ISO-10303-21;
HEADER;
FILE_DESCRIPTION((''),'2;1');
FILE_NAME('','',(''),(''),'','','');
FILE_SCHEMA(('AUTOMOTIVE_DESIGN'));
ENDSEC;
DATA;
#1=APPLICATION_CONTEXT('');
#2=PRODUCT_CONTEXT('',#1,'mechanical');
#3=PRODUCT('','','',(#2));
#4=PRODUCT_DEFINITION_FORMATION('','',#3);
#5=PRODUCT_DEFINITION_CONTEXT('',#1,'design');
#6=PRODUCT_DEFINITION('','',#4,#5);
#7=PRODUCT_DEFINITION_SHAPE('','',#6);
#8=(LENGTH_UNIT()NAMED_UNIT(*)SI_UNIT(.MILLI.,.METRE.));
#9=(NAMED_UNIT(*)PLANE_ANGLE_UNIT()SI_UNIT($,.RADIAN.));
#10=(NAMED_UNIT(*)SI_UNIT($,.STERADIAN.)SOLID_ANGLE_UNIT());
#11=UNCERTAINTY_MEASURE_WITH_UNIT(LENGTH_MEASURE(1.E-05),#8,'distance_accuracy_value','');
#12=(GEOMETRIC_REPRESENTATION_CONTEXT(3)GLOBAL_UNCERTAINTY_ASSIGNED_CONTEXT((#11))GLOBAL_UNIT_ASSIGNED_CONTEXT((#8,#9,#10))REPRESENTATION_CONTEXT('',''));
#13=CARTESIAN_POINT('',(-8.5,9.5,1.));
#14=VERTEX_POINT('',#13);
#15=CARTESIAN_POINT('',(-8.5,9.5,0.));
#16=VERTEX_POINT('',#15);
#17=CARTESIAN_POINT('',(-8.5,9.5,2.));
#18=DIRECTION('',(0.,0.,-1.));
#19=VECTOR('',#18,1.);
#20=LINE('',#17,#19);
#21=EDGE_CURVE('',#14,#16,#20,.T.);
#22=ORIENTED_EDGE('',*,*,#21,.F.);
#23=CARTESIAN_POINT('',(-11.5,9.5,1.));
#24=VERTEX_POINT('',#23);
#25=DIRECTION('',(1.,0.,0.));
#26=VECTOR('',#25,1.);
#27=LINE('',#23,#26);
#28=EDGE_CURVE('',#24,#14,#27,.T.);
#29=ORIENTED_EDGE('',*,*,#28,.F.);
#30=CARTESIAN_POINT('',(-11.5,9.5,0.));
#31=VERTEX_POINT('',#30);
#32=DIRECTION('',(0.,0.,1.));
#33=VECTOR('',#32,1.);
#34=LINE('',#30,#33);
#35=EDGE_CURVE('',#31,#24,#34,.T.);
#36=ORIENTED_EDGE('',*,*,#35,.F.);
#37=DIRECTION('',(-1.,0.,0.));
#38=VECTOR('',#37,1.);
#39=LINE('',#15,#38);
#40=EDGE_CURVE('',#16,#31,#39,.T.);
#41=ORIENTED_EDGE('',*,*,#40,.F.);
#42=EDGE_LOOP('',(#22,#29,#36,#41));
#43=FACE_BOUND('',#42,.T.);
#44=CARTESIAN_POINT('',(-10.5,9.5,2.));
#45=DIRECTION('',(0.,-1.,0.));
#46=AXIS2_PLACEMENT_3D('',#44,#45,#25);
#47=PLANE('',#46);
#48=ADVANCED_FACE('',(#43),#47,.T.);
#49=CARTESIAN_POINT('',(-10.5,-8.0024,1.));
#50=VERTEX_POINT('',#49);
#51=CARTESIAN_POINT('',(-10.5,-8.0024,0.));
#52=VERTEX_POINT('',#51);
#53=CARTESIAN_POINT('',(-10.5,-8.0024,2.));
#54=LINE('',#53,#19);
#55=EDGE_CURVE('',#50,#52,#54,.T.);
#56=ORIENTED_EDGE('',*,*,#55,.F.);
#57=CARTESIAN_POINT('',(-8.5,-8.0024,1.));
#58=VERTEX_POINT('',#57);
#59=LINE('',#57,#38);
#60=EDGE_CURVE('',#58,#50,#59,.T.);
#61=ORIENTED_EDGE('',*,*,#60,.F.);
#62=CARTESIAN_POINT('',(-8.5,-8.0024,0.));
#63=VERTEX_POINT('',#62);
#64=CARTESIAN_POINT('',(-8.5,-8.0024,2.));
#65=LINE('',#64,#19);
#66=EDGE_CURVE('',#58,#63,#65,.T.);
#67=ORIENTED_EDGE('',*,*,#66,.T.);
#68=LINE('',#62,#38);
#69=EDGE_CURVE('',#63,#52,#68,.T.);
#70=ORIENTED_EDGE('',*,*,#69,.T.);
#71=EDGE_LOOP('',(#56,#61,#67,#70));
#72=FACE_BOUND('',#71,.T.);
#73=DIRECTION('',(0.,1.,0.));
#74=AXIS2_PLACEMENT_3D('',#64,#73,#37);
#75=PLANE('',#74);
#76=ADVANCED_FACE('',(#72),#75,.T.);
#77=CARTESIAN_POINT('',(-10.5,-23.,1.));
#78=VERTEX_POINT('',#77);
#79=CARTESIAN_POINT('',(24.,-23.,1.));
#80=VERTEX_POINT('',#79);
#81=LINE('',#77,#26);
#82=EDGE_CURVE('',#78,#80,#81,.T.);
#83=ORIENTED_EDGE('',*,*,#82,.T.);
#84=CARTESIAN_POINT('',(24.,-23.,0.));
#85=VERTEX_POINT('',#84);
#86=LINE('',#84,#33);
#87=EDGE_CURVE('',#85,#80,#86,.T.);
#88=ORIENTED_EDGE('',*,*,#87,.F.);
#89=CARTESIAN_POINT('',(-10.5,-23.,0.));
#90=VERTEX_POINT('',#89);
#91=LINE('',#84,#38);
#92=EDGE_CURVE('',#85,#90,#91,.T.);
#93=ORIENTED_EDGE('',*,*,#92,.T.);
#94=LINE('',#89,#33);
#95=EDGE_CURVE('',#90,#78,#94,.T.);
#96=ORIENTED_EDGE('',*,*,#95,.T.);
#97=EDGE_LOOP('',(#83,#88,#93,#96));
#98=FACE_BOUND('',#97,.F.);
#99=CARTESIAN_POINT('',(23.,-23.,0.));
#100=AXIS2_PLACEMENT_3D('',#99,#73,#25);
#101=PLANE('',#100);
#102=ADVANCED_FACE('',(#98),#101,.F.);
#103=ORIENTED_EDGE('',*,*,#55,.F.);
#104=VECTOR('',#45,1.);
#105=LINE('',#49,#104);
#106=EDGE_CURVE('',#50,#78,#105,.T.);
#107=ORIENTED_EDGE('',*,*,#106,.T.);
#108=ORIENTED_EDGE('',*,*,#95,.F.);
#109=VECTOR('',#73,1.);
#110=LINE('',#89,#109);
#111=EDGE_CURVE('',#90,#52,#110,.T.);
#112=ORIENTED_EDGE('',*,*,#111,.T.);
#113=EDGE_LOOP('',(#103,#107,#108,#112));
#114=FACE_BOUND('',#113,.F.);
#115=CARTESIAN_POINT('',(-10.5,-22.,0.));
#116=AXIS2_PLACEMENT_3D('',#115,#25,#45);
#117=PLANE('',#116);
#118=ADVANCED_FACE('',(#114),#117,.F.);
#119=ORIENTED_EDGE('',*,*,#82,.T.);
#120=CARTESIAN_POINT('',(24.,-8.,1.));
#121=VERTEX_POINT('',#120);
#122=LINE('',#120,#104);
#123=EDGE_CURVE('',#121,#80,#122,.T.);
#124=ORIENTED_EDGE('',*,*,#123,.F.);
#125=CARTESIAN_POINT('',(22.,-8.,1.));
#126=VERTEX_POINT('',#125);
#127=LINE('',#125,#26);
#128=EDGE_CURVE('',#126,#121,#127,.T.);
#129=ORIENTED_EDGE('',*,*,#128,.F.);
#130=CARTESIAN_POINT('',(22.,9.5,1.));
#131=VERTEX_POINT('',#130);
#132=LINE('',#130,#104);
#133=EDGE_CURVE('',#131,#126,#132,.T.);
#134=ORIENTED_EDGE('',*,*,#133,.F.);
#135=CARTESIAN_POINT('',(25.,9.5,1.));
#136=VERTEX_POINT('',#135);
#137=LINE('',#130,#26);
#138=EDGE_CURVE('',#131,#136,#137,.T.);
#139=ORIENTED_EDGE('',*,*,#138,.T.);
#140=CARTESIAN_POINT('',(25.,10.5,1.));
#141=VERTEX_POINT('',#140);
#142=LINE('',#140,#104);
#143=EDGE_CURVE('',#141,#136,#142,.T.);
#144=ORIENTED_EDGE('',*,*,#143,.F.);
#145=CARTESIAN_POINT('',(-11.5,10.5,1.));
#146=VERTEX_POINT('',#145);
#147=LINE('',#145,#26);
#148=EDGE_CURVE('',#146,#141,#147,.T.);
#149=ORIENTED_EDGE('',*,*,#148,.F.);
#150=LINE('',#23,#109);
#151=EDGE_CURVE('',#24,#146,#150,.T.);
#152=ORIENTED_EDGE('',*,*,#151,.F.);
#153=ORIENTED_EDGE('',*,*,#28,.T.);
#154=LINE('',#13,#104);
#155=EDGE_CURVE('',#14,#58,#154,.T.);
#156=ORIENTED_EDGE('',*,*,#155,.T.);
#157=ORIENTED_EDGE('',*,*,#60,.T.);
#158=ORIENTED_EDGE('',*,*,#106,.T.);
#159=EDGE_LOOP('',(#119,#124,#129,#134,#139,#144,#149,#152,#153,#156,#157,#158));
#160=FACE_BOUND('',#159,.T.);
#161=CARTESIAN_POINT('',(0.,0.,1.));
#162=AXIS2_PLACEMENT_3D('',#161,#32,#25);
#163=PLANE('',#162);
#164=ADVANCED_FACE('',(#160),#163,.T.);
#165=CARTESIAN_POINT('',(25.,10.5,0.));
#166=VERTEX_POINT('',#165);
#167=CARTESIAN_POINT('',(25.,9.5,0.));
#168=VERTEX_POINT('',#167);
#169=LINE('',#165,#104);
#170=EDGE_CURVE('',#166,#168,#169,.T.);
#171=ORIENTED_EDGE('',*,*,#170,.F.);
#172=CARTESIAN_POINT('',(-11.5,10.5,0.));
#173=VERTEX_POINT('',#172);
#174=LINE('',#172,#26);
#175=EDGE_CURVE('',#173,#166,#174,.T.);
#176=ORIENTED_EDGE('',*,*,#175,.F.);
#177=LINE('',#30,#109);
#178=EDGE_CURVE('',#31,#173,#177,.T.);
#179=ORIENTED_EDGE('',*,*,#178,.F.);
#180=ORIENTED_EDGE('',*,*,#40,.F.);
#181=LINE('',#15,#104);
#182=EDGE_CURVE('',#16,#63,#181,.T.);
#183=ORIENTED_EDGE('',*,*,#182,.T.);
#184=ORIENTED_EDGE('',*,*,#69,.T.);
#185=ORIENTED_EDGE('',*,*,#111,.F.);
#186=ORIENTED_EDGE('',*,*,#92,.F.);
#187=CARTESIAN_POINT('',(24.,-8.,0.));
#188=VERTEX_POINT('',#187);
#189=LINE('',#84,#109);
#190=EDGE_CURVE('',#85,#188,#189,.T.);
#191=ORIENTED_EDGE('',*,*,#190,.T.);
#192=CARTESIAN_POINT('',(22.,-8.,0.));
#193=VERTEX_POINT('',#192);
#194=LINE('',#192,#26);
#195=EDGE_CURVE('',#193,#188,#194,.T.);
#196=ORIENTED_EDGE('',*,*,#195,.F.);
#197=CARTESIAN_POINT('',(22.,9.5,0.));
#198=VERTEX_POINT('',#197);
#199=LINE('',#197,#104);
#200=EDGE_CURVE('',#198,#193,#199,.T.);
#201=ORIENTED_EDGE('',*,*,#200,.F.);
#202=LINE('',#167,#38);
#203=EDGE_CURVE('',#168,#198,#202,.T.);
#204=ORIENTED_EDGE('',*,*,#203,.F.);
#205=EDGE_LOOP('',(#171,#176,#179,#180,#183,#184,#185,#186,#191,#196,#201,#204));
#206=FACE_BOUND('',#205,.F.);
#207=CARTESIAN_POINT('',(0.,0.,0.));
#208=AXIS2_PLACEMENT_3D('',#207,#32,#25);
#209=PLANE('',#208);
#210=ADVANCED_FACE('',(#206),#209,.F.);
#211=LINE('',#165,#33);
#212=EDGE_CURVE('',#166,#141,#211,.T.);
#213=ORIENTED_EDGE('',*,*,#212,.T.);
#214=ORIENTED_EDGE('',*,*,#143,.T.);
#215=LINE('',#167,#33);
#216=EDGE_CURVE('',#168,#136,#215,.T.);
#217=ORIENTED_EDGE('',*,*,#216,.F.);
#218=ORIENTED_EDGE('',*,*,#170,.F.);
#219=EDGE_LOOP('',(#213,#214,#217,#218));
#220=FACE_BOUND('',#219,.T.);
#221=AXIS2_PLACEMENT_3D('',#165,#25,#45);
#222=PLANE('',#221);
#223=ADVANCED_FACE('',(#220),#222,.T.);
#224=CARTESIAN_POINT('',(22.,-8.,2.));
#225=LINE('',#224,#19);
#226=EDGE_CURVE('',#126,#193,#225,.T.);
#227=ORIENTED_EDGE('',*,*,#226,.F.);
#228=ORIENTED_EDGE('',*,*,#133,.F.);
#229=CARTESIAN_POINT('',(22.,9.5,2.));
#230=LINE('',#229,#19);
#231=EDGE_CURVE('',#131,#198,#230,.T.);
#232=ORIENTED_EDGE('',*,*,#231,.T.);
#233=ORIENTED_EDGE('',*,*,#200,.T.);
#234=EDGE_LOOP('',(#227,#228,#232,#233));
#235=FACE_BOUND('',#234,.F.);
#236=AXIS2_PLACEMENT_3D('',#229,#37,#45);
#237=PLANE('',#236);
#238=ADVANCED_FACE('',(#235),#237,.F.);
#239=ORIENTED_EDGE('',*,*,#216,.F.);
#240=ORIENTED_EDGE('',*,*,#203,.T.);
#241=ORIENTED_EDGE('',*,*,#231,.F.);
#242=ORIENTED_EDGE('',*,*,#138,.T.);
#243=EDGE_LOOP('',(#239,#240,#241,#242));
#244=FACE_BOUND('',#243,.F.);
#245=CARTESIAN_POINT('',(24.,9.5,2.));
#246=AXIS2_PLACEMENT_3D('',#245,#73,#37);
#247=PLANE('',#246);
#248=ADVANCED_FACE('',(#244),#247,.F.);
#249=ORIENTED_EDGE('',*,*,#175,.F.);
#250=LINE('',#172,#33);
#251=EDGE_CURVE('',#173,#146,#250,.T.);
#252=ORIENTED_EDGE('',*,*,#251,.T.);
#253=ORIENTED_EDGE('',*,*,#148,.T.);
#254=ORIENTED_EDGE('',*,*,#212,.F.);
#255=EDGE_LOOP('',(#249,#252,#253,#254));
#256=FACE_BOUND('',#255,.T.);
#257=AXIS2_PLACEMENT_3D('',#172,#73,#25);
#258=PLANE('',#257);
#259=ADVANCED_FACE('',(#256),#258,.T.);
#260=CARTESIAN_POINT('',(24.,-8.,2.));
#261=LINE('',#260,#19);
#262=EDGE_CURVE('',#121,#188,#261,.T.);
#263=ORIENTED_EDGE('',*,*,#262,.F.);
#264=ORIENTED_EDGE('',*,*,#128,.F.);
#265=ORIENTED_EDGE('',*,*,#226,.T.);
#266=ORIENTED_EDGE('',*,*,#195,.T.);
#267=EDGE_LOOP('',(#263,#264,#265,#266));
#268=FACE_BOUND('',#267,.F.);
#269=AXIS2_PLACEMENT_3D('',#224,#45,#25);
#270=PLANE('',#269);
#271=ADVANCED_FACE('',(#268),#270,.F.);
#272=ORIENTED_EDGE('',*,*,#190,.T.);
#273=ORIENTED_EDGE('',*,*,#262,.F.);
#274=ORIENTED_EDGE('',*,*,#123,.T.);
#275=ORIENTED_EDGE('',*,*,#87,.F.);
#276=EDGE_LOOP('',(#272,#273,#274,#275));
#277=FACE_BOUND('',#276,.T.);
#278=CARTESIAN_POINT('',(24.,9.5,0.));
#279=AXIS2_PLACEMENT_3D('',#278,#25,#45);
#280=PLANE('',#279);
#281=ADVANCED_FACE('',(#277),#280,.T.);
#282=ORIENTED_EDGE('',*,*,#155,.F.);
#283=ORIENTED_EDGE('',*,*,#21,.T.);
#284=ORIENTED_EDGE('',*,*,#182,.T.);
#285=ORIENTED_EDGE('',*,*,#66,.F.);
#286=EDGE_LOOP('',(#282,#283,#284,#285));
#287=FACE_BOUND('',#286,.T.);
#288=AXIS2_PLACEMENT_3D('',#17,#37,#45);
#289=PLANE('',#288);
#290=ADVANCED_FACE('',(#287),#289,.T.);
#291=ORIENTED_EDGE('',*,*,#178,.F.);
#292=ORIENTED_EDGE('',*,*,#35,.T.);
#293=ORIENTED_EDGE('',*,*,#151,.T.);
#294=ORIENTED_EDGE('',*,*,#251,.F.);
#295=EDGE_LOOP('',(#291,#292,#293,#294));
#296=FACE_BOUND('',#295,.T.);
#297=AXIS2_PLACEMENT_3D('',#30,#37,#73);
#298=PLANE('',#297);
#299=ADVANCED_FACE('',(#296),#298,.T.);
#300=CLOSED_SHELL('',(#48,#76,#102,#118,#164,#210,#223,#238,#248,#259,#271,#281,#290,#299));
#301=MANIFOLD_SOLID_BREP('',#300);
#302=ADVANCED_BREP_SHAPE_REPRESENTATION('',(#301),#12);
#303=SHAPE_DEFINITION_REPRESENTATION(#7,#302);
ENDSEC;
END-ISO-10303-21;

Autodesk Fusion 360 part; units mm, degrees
sketch "Sketch1" plane through (0, 0, 0) normal (0, 0, 1) x (1, 0, 0)
  line L0 (24, 9.5) -> (24, -22)
  line L1 (23, -23) -> (-9, -23)
  line L2 (-10.5, -22) -> (-10.5, 9.5)
  line L3 (-11.5, 10.5) -> (25, 10.5)
  line L4 (25, 10.5) -> (25, 9.5)
  line L5 (-11.5, 9.5) -> (-11.5, 10.5)
  line L6 (-11.5, 9.5) -> (-10.5, 9.5)
  line L7 (24, 9.5) -> (25, 9.5)
  line L8 (-10.5, -22) -> (-10.5, -23)
  line L9 (-10.5, -23) -> (-9, -23)
  line L10 (23, -23) -> (24, -23)
  line L11 (24, -23) -> (24, -22)
  point P0 (24, -23)
  point P1 (-10.5, -23)
  dimension "d3" = 1
  dimension "d4" = 33.5
  dimension "d5" = 1
  dimension "d6" = 34.5
  dimension "d32" = 1
extrude "Extrude3" add sketch "Sketch1" along normal blind 2
sketch "Sketch7" plane through (0, 0, 2) normal (0, 0, 1) x (-1, 0, 0)
  line L0 (10.5, 23) -> (-24, 23)
  line L1 (-24, 23) -> (-24, -9.5)
  line L2 (-24, -9.5) -> (-25, -9.5)
  line L3 (-25, -9.5) -> (-25, -10.5)
  line L4 (-25, -10.5) -> (11.5, -10.5)
  line L5 (11.5, -10.5) -> (11.5, -9.5)
  line L6 (11.5, -9.5) -> (10.5, -9.5)
  line L7 (10.5, -9.5) -> (10.5, 23)
  line L8 (10.5, -9.5) -> (8.5, -9.5)
  line L9 (8.5, -9.5) -> (8.5, 8.0024)
  line L10 (8.5, 8.0024) -> (10.5, 8.0024)
  line L11 (10.5, 8.0024) -> (10.5, -9.5)
  line L12 (-24, -9.5) -> (-22, -9.5)
  line L13 (-22, -9.5) -> (-22, 8)
  line L14 (-22, 8) -> (-24, 8)
  line L15 (-24, 8) -> (-24, -9.5)
  dimension "d26" = 2
  dimension "d27" = 2
extrude "Extrude4" cut sketch "Sketch7" against normal blind 2 contours L7 L8 L9 L10 L11 | L1 L12 L13 L14 L15
extrude "Extrude5" cut 1 faces at (1.6667, -2.1675, 2) along direction (0, 0, -1) blind 1
